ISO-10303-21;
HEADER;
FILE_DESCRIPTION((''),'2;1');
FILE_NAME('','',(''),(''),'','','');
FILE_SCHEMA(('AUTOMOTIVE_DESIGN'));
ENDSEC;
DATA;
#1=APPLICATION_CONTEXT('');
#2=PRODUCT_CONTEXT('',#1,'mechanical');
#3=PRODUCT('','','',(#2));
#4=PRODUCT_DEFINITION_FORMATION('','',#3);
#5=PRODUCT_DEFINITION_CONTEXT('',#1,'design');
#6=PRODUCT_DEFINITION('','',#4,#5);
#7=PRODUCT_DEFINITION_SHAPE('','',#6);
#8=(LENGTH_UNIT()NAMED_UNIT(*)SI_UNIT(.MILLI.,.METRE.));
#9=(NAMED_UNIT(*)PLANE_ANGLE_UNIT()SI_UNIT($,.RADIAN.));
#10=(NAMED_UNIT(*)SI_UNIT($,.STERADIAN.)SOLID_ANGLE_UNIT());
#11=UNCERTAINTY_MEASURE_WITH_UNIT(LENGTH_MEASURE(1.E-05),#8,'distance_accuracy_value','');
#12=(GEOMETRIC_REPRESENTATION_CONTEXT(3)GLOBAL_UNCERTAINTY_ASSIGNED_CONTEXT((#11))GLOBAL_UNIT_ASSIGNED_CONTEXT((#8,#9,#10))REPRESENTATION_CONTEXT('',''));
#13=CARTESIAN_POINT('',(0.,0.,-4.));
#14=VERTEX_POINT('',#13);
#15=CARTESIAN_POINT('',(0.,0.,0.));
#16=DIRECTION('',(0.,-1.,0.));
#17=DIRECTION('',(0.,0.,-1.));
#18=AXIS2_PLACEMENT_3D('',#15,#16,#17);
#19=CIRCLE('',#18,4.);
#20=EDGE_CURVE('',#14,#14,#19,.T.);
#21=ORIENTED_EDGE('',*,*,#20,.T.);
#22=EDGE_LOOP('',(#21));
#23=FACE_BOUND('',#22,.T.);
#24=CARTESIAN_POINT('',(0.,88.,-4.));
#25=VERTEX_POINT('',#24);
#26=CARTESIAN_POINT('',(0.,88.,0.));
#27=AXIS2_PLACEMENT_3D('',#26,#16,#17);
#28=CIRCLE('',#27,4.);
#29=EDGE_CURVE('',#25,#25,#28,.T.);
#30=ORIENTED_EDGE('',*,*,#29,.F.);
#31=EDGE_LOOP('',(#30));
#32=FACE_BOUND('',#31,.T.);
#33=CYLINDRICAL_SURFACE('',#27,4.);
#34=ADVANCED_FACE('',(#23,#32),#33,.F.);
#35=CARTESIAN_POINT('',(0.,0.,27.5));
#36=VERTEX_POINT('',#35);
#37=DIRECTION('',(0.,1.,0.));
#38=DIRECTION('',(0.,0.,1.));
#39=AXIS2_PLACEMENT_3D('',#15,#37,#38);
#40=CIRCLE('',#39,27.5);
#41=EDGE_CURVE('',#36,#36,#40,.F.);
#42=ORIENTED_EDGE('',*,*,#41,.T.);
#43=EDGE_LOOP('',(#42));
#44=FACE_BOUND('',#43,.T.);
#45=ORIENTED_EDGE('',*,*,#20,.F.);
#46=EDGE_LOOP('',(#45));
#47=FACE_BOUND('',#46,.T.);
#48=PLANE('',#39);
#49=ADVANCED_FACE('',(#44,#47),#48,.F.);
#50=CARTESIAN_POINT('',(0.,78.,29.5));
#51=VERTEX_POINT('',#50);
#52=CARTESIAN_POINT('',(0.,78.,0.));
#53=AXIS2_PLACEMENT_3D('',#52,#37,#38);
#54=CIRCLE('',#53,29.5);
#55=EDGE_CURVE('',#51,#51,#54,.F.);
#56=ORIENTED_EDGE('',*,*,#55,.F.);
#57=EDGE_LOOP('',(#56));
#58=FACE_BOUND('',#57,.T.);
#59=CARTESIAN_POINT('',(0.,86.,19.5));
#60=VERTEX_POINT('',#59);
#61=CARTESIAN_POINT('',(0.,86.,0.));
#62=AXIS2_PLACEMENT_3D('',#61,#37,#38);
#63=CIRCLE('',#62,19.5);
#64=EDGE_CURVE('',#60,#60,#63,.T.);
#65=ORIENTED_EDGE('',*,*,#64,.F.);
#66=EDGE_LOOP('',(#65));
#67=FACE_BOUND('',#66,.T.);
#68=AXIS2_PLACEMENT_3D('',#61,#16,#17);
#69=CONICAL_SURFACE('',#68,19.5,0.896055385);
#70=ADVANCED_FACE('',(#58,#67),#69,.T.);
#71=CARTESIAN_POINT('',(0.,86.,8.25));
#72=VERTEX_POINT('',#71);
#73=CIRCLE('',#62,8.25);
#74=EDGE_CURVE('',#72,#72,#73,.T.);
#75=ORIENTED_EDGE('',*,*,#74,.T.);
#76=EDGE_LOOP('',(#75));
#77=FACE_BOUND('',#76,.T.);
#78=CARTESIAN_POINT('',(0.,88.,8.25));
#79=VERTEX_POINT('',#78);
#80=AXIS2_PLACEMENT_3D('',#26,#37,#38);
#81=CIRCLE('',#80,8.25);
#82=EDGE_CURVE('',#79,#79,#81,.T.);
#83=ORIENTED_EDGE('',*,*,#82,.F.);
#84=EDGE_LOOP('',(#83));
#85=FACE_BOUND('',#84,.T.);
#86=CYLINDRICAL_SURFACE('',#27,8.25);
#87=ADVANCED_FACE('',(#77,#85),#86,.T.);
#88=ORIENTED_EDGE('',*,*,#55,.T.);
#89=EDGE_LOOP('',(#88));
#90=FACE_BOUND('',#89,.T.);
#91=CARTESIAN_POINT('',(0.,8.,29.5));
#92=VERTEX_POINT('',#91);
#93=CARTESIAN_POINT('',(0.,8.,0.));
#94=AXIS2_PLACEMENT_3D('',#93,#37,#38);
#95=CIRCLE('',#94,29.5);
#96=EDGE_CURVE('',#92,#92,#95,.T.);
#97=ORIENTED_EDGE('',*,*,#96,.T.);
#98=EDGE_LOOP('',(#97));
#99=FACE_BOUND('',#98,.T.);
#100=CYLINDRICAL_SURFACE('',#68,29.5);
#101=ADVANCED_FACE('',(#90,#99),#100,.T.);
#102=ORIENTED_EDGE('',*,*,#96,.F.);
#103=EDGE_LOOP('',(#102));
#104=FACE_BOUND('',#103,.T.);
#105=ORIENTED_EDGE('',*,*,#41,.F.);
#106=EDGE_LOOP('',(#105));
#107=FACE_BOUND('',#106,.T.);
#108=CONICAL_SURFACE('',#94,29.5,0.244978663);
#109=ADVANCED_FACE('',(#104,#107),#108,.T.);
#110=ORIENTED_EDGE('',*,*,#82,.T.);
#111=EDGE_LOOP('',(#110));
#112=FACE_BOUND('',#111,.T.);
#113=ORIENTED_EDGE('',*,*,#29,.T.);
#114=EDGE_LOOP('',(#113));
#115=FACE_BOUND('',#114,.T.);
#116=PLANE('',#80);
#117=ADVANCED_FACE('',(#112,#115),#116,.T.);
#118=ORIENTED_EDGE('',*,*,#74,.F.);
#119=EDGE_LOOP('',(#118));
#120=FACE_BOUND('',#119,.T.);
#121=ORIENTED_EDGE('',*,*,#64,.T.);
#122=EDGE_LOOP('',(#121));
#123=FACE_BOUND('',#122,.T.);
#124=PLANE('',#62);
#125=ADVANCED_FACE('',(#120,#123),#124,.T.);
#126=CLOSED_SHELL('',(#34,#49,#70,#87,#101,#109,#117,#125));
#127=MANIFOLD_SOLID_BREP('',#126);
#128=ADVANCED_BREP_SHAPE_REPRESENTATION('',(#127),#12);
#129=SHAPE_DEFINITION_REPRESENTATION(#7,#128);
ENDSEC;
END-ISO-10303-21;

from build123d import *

# Parameters (mm, degrees)
SKETCH1_R           = 29.5
BOSS_EXTRUDE1_DEPTH = 86
CHAMFER1_SIZE       = 8
CHAMFER1_SIZE2      = 10
CHAMFER2_SIZE       = 2
CHAMFER2_SIZE2      = 8
SKETCH3_R           = 8.25
BOSS_EXTRUDE2_DEPTH = 2
SKETCH2_R           = 4
CUT_EXTRUDE1_DEPTH  = 98.388397666


with BuildPart() as part:
    # Sketch1 → Boss-Extrude1 (new body)
    with BuildSketch(Plane(origin=(0, 0, 0), x_dir=(1, 0, 0), z_dir=(0, 1, 0))):
        with Locations(Location((0, 0, 0), (0, 0, 270))):
            Circle(SKETCH1_R)
    extrude(amount=BOSS_EXTRUDE1_DEPTH)

    # Chamfer1
    chamfer1_edges = [part.edges().sort_by_distance(p)[0] for p in [
        (0, 86, -29.5),
    ]]
    chamfer1_side = [part.faces().sort_by_distance(p)[0] for p in [
        (0, 43, -29.5),
    ]]
    chamfer(chamfer1_edges, length=CHAMFER1_SIZE, length2=CHAMFER1_SIZE2, reference=chamfer1_side[0])

    # Chamfer2
    chamfer2_edges = [part.edges().sort_by_distance(p)[0] for p in [
        (0, 0, -29.5),
    ]]
    chamfer2_side = [part.faces().sort_by_distance(p)[0] for p in [
        (0, 0, 0),
    ]]
    chamfer(chamfer2_edges, length=CHAMFER2_SIZE, length2=CHAMFER2_SIZE2, reference=chamfer2_side[0])

    # Sketch3 → Boss-Extrude2 (add)
    with BuildSketch(Plane(origin=(0, 86, 0), x_dir=(1, 0, 0), z_dir=(0, 1, 0))):
        with Locations(Location((0, 0, 0), (0, 0, 270))):
            Circle(SKETCH3_R)
    extrude(amount=BOSS_EXTRUDE2_DEPTH)

    # Sketch2 → Cut-Extrude1 (cut, through all)
    with BuildSketch(Plane.XZ):
        with Locations(Location((0, 0, 0), (0, 0, 270))):
            Circle(SKETCH2_R)
    extrude(amount=-CUT_EXTRUDE1_DEPTH, mode=Mode.SUBTRACT)


solid = part.part
